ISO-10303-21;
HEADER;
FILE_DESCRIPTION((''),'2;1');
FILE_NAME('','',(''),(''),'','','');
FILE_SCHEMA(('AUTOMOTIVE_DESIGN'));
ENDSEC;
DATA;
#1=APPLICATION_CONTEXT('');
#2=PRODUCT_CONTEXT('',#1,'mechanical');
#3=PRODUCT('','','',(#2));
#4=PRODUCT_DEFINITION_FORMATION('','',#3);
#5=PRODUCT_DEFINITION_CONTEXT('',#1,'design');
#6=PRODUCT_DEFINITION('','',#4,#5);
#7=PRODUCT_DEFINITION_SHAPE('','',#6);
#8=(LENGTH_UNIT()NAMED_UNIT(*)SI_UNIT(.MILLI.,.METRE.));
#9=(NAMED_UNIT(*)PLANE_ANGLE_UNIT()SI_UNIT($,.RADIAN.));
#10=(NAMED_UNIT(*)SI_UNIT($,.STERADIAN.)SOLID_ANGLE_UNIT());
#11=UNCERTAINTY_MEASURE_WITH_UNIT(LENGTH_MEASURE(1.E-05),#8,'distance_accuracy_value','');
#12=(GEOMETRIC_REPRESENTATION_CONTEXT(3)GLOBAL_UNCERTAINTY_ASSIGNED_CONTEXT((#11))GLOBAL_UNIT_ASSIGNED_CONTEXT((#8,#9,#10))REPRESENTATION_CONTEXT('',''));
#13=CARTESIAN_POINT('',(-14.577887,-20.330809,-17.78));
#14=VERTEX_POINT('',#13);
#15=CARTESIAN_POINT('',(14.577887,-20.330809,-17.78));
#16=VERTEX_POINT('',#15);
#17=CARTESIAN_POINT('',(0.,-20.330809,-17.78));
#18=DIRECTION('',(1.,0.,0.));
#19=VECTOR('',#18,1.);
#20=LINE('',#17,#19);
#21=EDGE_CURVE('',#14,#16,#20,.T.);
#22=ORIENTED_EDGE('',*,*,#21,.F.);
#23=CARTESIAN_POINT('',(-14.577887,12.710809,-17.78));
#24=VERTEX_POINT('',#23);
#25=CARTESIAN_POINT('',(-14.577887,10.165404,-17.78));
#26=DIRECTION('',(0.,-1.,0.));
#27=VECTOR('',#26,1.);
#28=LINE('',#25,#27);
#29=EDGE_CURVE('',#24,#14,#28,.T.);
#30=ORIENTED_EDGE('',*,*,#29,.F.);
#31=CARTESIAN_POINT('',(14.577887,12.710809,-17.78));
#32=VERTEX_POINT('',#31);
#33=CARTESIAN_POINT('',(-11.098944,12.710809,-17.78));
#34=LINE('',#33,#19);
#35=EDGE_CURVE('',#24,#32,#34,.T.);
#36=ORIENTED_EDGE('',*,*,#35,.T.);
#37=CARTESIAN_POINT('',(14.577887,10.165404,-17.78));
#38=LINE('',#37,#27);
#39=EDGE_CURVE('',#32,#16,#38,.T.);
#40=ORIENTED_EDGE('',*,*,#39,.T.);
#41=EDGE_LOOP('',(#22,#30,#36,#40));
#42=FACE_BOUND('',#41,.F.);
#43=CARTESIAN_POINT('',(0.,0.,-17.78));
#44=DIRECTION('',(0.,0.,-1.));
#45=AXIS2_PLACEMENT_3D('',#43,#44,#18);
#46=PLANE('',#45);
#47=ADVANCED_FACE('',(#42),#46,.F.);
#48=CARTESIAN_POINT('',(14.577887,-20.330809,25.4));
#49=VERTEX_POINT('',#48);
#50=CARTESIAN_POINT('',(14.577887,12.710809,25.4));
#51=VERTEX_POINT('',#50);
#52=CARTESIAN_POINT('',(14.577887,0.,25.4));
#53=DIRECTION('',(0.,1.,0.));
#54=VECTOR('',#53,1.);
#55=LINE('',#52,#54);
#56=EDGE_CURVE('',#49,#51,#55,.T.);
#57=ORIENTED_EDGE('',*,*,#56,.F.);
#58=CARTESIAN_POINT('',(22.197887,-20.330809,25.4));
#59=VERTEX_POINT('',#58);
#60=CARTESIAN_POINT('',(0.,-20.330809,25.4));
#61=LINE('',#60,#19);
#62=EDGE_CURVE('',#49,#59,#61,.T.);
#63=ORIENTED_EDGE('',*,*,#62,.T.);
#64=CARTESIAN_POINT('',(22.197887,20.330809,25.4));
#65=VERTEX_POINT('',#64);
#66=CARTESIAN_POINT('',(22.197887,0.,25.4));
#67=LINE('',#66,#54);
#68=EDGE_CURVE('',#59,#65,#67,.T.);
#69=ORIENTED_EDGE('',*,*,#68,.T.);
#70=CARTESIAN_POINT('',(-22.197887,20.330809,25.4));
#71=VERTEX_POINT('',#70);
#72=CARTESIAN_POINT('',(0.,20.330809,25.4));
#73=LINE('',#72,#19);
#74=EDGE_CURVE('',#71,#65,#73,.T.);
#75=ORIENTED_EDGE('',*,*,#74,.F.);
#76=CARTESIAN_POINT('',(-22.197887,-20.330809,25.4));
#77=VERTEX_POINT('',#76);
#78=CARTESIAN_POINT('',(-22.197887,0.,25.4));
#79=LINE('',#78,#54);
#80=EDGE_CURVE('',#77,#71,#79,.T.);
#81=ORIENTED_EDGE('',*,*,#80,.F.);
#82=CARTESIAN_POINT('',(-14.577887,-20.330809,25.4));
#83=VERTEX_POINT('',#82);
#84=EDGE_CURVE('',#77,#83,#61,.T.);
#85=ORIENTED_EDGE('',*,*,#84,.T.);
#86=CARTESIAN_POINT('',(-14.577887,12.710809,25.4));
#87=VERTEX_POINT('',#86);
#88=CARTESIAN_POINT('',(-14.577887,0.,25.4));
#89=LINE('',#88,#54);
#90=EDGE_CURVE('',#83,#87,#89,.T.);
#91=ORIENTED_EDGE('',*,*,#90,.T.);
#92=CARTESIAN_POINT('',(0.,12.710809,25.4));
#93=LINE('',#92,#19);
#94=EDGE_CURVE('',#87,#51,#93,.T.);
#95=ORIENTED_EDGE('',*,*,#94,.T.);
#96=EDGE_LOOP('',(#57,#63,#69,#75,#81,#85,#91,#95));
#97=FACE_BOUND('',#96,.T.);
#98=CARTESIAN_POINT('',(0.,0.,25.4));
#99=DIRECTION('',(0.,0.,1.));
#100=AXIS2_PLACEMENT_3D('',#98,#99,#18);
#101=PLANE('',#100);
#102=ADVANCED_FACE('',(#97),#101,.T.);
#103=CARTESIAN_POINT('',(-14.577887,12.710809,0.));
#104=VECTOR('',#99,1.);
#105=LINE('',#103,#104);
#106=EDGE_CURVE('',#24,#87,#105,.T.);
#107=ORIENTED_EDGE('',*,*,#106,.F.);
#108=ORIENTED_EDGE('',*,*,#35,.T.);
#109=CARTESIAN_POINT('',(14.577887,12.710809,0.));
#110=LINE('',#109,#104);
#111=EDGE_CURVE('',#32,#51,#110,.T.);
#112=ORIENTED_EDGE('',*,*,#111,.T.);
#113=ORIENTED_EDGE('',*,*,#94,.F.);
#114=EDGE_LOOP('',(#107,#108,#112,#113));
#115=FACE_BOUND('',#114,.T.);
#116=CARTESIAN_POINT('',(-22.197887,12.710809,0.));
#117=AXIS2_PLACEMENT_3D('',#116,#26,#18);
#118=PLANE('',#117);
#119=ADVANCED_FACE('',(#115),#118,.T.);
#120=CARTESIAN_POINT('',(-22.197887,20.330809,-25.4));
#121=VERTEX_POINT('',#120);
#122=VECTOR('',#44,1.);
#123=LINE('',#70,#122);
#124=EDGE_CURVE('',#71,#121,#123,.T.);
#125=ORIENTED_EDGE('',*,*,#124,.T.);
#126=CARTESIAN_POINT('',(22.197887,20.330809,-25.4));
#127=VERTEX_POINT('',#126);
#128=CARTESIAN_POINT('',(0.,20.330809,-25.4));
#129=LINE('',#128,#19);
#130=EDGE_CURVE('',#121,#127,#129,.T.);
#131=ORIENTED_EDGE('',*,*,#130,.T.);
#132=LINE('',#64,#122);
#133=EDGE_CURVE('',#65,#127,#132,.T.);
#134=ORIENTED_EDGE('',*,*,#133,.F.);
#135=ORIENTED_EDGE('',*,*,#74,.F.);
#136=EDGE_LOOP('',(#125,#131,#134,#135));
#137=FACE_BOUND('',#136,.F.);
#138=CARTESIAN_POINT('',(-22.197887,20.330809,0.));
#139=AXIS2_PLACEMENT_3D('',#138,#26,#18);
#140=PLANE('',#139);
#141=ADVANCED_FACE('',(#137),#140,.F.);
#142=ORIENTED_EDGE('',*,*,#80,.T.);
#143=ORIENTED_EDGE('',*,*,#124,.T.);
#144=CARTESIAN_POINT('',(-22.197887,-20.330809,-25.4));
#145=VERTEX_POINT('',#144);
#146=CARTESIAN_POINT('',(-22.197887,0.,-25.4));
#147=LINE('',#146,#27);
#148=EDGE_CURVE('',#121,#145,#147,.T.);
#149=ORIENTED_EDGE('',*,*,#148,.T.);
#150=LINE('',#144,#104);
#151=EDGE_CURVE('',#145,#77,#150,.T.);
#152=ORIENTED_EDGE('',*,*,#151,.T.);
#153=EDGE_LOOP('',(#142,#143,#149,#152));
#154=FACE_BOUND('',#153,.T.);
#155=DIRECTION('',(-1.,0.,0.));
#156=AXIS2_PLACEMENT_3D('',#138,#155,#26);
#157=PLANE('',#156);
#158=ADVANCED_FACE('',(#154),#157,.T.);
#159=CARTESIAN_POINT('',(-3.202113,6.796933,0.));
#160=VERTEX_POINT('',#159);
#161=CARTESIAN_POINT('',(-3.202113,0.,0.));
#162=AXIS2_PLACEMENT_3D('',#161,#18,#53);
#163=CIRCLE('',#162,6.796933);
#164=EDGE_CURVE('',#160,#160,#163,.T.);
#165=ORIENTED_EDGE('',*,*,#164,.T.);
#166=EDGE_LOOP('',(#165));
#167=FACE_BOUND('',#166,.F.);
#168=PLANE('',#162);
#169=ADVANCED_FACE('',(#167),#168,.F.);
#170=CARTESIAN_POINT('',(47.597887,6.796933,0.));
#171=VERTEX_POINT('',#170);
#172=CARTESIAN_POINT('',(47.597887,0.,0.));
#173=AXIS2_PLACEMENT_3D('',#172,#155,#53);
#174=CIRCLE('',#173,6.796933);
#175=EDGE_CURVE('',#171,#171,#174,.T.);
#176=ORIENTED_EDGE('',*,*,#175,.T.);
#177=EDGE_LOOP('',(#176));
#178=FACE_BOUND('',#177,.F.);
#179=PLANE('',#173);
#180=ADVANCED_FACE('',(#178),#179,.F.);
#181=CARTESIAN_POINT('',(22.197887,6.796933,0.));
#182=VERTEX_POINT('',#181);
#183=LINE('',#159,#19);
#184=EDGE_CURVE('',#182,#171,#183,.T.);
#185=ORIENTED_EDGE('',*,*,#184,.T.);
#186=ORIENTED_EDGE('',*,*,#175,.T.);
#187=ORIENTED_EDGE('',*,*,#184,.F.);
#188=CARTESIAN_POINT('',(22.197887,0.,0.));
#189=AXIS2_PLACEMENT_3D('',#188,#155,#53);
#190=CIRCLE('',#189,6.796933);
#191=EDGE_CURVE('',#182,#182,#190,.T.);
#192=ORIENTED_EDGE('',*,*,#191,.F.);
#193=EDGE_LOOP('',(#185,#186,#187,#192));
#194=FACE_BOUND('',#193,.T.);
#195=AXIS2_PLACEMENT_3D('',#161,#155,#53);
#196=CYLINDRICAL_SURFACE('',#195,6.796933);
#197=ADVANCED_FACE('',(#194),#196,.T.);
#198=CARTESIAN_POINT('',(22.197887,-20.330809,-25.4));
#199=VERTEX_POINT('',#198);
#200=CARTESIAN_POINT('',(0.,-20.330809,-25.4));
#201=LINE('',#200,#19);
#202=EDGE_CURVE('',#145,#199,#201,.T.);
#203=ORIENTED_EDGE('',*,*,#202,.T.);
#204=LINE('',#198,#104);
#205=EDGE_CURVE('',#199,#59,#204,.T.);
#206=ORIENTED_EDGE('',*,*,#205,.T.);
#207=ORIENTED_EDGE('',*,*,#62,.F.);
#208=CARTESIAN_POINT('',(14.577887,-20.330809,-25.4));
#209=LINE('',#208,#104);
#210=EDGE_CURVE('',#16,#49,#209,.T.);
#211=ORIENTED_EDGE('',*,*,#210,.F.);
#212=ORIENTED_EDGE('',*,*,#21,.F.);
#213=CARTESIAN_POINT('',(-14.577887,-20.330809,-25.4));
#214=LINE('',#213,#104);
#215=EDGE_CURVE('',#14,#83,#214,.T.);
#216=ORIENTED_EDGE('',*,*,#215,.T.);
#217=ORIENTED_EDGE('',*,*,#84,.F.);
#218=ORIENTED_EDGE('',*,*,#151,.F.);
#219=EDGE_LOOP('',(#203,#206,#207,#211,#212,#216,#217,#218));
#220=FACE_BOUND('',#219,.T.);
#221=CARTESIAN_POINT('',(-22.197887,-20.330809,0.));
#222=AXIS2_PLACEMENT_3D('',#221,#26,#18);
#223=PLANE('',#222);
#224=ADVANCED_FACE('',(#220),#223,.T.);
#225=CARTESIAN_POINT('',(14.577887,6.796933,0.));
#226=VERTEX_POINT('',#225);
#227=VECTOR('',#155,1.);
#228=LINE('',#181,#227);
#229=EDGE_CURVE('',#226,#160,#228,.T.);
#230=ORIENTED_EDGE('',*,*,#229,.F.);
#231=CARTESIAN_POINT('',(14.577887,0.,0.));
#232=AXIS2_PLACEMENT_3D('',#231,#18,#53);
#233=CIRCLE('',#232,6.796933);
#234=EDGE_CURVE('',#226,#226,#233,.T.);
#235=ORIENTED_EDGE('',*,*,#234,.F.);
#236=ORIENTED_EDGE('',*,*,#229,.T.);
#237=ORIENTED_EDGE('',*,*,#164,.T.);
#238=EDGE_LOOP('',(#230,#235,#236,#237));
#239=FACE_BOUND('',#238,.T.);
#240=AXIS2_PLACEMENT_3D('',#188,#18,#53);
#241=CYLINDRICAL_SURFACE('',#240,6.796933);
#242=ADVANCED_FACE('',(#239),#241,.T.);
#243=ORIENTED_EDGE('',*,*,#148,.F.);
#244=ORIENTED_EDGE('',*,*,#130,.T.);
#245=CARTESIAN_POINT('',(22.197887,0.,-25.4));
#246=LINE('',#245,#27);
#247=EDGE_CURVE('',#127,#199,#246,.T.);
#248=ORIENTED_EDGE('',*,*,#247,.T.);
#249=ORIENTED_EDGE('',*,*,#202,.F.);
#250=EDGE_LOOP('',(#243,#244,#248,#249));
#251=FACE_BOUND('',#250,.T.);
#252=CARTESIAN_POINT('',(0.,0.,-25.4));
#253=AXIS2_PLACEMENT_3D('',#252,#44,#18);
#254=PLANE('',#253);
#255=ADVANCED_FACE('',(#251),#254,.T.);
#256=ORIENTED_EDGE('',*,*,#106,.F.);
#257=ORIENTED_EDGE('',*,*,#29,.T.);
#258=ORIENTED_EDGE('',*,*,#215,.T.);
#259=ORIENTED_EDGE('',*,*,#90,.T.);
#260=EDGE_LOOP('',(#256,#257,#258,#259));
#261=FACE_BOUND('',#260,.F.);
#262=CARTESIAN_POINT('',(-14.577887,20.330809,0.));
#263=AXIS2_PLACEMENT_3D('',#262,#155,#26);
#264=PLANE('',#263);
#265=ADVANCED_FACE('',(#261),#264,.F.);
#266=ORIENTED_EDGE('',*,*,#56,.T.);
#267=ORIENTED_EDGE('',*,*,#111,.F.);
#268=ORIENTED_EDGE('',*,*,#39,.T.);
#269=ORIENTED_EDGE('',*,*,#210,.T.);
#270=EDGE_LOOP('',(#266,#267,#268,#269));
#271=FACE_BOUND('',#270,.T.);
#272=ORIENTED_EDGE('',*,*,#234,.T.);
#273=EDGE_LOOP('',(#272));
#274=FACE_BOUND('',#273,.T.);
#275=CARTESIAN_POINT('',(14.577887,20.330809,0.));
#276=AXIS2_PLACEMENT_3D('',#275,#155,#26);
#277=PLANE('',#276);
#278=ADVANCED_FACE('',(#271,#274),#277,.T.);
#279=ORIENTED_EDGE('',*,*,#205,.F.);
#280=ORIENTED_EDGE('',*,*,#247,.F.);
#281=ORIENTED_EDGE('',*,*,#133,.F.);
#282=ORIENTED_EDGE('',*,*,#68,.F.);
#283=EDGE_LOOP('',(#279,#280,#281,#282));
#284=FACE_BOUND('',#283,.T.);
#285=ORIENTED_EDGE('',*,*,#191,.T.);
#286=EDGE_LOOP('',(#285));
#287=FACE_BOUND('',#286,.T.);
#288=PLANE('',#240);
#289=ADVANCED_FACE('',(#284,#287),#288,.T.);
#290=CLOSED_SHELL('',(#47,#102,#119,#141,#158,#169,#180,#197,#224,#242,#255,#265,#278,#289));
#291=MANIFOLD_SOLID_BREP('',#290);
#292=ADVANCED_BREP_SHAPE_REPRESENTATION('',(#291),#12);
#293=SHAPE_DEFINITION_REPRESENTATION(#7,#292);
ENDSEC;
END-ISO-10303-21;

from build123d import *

# Parameters (mm, degrees)
F0_W      = 44.395774
F0_H      = 40.661618
F1_DEPTH  = 25.4
F1_FACE_W = 44.395774
F1_FACE_H = 40.661618
F2_DEPTH  = 25.4
F3_T      = -7.62
F4_R      = 6.796933
F5_DEPTH  = 25.4
F5_FACE_R = 6.796933
F6_DEPTH  = 50.8


with BuildPart() as f1:
    # F0 (on Top) → F1 (new body)
    with BuildSketch(Plane.XY):
        Rectangle(F0_W, F0_H)
    extrude(amount=F1_DEPTH)

    # F1_face (on face) → F2 (join)
    with BuildSketch(Plane(origin=(0, 0, 0), x_dir=(1, 0, 0), z_dir=(0, 0, -1))):
        Rectangle(F1_FACE_W, F1_FACE_H)
    extrude(amount=F2_DEPTH)

    # F3
    f3_openings = [f1.faces().sort_by_distance(p)[0] for p in [
        (0, -20.330809, 0),
        (0, 0, 25.4),
    ]]
    offset(amount=F3_T, openings=f3_openings)

    # F4 (on face) → F5 (join)
    with BuildSketch(Plane.YZ.offset(22.197887)):
        Circle(F4_R)
    extrude(amount=-F5_DEPTH)

    # F5_face (on face) → F6 (join)
    with BuildSketch(Plane(origin=(-3.202113, 0, 0), x_dir=(0, 1, 0), z_dir=(-1, 0, 0))):
        Circle(F5_FACE_R)
    extrude(amount=-F6_DEPTH)


solid = f1.part
